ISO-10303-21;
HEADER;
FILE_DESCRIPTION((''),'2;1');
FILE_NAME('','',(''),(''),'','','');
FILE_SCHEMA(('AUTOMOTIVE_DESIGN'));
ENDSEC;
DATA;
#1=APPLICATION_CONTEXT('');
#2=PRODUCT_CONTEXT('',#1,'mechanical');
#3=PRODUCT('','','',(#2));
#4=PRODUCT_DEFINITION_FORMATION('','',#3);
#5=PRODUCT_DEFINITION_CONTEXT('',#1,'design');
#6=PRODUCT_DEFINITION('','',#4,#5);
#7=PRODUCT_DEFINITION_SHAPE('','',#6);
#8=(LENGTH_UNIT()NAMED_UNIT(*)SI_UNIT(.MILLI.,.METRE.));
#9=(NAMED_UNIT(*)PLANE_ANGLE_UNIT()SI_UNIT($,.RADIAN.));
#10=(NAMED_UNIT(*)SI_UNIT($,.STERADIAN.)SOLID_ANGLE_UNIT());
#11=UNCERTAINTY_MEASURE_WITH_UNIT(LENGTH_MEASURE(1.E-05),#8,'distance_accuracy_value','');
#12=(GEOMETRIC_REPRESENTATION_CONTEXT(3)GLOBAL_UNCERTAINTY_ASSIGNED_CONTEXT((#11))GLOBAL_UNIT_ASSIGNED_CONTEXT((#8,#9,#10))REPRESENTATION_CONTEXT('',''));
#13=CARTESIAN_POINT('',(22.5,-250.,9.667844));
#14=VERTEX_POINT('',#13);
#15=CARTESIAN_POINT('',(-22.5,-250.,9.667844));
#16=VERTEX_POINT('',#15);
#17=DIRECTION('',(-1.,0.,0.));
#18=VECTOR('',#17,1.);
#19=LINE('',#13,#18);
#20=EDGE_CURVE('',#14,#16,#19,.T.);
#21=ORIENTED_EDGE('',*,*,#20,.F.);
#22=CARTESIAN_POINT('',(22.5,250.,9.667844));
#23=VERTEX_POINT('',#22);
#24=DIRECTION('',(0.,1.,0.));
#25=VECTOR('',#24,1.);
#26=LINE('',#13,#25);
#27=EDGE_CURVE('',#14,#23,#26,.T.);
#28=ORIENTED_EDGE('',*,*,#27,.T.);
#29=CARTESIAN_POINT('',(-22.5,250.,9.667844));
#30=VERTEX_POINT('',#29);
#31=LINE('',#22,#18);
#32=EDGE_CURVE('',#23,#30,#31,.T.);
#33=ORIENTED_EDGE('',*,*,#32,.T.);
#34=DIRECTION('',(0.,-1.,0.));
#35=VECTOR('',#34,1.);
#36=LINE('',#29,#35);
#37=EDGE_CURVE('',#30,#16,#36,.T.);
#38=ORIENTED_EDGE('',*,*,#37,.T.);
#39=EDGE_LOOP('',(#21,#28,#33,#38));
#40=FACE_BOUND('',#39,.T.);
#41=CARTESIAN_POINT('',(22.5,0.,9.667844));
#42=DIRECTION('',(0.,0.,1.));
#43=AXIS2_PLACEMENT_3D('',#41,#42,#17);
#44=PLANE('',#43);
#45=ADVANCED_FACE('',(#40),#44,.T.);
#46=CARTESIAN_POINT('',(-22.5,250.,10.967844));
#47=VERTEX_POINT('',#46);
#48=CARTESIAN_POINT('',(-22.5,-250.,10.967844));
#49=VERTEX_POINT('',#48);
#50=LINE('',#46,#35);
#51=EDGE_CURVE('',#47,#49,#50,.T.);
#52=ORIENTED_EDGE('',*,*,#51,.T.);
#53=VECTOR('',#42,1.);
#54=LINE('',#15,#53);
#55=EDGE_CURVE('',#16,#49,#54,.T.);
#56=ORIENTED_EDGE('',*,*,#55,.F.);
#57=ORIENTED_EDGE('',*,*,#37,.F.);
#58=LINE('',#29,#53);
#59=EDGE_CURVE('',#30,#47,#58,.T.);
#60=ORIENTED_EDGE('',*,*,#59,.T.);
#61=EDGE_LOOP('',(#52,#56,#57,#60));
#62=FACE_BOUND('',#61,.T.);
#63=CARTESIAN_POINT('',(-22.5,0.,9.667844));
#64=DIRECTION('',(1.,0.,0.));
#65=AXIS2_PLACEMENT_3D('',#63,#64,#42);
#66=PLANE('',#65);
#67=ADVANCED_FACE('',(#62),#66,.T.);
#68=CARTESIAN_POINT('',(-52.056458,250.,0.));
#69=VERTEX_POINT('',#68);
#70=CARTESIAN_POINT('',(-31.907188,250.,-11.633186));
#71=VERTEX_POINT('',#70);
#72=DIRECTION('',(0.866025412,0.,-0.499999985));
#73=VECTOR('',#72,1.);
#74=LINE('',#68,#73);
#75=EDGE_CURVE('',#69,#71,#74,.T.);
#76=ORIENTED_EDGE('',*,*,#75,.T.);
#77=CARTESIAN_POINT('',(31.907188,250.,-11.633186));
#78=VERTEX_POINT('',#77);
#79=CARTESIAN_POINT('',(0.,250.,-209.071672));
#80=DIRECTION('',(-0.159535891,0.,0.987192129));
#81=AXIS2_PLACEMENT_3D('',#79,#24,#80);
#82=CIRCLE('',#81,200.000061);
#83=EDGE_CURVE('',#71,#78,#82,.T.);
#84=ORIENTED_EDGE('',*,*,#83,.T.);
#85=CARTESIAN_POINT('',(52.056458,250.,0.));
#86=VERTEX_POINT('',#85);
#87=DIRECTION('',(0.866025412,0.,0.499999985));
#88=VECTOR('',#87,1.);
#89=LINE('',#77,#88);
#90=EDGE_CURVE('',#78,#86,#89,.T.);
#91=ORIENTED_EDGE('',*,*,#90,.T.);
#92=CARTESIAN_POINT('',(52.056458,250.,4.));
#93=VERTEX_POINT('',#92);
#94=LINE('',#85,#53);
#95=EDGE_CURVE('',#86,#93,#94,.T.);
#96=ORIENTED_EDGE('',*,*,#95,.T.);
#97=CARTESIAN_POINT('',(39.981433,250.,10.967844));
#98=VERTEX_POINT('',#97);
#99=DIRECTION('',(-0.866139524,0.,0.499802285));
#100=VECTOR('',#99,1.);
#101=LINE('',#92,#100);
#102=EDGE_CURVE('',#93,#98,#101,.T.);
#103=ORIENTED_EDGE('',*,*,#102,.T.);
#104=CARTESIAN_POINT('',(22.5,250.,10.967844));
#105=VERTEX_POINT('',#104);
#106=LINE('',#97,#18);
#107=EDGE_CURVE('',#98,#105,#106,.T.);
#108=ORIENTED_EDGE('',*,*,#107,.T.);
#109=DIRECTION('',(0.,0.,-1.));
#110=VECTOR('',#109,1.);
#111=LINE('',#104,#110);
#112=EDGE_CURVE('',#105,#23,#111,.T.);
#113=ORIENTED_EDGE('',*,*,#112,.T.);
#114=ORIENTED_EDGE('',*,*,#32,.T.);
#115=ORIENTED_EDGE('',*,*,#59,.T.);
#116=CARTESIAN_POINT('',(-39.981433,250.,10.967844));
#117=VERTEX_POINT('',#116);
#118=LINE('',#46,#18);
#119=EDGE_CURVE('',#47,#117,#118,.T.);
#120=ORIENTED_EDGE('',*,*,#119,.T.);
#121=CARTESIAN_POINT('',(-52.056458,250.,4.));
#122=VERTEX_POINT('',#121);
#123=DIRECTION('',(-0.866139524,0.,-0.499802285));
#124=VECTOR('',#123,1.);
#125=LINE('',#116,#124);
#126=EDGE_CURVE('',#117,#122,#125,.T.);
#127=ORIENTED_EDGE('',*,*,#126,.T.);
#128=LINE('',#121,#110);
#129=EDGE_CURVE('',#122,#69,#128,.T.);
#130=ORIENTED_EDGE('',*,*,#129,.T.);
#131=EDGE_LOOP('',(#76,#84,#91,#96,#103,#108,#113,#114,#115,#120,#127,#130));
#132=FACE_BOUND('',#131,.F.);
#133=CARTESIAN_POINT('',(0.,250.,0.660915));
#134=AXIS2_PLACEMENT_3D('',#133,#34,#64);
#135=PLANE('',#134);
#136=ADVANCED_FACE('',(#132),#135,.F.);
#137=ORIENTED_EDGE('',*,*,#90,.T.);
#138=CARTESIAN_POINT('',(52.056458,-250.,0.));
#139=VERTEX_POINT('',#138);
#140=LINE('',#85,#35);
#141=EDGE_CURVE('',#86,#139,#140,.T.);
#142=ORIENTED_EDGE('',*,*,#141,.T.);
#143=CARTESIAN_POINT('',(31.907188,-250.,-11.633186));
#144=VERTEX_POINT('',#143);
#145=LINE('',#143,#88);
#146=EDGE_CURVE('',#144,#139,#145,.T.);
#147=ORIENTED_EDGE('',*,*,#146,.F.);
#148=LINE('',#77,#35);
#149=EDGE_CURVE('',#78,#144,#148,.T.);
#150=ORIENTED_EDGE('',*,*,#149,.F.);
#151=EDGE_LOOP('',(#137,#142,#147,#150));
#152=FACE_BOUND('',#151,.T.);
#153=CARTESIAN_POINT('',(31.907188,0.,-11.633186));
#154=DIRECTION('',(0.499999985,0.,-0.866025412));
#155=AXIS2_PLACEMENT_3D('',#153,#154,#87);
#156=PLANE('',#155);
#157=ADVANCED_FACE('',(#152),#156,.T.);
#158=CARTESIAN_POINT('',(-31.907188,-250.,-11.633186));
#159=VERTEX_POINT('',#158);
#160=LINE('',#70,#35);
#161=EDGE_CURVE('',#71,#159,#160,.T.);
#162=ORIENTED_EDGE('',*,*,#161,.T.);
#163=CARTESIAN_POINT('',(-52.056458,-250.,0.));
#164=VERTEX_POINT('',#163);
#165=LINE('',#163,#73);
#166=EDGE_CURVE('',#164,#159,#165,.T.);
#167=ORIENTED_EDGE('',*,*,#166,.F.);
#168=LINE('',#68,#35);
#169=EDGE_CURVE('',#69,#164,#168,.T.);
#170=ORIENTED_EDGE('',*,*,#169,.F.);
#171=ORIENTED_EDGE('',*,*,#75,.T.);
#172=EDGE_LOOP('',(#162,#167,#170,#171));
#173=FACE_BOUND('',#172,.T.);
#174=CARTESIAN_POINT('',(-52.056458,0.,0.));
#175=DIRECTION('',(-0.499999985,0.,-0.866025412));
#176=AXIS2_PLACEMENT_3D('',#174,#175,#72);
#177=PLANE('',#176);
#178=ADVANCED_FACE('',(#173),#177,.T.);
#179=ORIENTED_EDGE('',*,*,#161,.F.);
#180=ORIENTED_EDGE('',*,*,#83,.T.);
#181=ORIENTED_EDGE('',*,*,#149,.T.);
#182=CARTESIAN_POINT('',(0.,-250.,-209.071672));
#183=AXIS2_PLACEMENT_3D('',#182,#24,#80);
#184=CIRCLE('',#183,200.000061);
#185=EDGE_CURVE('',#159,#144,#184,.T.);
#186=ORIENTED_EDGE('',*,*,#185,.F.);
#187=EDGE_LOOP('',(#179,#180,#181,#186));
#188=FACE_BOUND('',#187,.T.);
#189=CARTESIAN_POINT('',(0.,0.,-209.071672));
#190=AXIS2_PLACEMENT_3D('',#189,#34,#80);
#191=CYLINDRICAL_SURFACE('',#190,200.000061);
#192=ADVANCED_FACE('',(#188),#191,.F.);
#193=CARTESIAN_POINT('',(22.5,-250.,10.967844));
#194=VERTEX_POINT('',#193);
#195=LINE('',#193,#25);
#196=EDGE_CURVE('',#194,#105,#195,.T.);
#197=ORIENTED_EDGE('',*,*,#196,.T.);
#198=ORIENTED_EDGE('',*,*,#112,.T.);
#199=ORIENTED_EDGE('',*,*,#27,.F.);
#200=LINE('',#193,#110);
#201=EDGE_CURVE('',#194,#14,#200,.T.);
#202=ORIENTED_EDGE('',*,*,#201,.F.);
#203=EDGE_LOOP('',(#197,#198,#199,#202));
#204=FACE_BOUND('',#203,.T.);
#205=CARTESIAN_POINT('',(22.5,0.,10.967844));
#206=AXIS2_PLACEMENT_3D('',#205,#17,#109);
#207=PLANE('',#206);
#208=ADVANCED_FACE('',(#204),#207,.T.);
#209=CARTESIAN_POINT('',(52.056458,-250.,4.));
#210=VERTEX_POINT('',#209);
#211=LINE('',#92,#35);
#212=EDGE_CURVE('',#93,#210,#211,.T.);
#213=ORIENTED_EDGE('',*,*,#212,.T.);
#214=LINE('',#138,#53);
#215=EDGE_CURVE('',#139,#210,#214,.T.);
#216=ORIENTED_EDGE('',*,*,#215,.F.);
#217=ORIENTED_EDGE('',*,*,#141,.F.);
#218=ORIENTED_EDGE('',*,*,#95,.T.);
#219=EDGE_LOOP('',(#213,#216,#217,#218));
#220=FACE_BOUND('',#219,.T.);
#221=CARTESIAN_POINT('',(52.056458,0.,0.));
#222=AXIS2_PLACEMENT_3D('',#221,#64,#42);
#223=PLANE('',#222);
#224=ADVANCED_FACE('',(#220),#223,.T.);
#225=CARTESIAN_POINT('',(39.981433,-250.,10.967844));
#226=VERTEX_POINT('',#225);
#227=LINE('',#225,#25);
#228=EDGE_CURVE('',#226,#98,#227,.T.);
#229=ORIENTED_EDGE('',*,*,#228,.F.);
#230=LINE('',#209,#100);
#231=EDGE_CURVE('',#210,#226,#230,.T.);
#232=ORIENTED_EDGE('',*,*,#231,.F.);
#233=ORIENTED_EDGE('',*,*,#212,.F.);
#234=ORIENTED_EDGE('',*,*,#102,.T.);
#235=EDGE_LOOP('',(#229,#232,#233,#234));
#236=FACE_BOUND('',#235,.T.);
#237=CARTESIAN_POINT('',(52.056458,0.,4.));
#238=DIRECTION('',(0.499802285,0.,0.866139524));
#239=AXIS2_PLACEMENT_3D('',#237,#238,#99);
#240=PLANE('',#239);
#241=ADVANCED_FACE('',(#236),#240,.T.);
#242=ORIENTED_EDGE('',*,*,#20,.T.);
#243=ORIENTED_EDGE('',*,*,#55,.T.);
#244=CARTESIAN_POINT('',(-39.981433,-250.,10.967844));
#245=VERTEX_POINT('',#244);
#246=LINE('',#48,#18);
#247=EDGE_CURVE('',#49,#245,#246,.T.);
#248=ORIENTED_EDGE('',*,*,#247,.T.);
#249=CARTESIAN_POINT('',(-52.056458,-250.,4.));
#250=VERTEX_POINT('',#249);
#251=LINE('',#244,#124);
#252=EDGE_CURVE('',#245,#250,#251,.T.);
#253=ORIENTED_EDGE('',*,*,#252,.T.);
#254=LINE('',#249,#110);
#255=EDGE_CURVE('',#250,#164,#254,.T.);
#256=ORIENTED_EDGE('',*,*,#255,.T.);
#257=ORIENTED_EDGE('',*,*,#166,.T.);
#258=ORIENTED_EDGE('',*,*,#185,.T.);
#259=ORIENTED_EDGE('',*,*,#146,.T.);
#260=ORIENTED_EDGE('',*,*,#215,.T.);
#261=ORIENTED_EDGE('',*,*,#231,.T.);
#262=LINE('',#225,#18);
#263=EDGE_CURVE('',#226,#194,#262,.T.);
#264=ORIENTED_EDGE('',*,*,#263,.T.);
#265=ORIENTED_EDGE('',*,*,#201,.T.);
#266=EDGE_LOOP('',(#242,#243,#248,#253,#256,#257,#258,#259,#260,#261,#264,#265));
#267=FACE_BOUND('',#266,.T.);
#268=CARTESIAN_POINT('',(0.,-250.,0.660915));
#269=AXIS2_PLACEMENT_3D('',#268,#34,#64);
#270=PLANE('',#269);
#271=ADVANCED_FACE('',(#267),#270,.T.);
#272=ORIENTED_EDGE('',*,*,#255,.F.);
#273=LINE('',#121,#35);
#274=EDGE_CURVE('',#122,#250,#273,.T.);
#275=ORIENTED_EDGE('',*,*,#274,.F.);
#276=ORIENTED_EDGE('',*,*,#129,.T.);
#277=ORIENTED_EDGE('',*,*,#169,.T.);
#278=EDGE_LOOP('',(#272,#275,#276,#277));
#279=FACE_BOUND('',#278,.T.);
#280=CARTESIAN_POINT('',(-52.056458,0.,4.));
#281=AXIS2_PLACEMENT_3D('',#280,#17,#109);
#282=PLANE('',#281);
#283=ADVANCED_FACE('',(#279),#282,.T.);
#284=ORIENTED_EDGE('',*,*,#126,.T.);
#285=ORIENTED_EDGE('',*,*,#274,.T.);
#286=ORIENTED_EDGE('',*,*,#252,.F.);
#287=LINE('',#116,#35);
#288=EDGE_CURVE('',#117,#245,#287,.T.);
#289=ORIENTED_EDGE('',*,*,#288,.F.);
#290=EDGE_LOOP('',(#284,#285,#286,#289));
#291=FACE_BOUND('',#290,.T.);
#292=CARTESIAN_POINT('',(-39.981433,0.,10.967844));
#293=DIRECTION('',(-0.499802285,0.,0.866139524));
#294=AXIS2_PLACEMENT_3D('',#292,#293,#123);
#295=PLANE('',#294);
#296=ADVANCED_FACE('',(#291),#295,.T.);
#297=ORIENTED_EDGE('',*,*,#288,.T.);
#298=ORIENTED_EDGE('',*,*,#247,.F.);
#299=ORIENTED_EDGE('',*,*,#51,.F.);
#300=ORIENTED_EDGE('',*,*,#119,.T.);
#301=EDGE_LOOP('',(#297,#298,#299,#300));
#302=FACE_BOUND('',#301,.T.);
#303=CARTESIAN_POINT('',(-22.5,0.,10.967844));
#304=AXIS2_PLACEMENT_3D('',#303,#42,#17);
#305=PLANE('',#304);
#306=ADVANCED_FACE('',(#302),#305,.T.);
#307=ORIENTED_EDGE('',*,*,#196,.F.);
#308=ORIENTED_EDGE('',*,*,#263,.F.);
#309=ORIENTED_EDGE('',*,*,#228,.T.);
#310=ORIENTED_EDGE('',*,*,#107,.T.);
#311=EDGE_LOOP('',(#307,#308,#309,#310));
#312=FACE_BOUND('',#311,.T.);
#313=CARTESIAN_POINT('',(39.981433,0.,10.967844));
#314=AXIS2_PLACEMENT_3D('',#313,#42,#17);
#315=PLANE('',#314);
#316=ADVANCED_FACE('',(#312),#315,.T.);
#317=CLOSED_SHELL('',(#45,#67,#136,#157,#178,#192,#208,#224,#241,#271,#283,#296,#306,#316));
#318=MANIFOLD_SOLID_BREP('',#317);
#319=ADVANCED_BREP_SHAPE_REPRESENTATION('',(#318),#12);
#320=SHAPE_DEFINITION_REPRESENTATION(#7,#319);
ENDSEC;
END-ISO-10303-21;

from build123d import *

# Parameters (mm, degrees)
F1_DEPTH = 250


with BuildPart() as f1:
    # F0 (on Front) → F1 (new body, symmetric)
    with BuildSketch(Plane.XZ):
        with BuildLine():
            Line((22.5, 9.667844), (0, 9.667844))
            Line((0, 9.667844), (-22.5, 9.667844))
            Line((-22.5, 9.667844), (-22.5, 10.967844))
            Line((-22.5, 10.967844), (-39.981433, 10.967844))
            Line((-39.981433, 10.967844), (-52.056458, 4))
            Line((-52.056458, 4), (-52.056458, 0))
            Line((-52.056458, 0), (-31.907188, -11.633186))
            ThreePointArc((-31.907188, -11.633186), (0, -9.071611), (31.907188, -11.633186))
            Line((31.907188, -11.633186), (52.056458, 0))
            Line((52.056458, 0), (52.056458, 4))
            Line((52.056458, 4), (39.981433, 10.967844))
            Line((39.981433, 10.967844), (22.5, 10.967844))
            Line((22.5, 10.967844), (22.5, 9.667844))
        make_face()
    extrude(amount=F1_DEPTH, both=True)


solid = f1.part
